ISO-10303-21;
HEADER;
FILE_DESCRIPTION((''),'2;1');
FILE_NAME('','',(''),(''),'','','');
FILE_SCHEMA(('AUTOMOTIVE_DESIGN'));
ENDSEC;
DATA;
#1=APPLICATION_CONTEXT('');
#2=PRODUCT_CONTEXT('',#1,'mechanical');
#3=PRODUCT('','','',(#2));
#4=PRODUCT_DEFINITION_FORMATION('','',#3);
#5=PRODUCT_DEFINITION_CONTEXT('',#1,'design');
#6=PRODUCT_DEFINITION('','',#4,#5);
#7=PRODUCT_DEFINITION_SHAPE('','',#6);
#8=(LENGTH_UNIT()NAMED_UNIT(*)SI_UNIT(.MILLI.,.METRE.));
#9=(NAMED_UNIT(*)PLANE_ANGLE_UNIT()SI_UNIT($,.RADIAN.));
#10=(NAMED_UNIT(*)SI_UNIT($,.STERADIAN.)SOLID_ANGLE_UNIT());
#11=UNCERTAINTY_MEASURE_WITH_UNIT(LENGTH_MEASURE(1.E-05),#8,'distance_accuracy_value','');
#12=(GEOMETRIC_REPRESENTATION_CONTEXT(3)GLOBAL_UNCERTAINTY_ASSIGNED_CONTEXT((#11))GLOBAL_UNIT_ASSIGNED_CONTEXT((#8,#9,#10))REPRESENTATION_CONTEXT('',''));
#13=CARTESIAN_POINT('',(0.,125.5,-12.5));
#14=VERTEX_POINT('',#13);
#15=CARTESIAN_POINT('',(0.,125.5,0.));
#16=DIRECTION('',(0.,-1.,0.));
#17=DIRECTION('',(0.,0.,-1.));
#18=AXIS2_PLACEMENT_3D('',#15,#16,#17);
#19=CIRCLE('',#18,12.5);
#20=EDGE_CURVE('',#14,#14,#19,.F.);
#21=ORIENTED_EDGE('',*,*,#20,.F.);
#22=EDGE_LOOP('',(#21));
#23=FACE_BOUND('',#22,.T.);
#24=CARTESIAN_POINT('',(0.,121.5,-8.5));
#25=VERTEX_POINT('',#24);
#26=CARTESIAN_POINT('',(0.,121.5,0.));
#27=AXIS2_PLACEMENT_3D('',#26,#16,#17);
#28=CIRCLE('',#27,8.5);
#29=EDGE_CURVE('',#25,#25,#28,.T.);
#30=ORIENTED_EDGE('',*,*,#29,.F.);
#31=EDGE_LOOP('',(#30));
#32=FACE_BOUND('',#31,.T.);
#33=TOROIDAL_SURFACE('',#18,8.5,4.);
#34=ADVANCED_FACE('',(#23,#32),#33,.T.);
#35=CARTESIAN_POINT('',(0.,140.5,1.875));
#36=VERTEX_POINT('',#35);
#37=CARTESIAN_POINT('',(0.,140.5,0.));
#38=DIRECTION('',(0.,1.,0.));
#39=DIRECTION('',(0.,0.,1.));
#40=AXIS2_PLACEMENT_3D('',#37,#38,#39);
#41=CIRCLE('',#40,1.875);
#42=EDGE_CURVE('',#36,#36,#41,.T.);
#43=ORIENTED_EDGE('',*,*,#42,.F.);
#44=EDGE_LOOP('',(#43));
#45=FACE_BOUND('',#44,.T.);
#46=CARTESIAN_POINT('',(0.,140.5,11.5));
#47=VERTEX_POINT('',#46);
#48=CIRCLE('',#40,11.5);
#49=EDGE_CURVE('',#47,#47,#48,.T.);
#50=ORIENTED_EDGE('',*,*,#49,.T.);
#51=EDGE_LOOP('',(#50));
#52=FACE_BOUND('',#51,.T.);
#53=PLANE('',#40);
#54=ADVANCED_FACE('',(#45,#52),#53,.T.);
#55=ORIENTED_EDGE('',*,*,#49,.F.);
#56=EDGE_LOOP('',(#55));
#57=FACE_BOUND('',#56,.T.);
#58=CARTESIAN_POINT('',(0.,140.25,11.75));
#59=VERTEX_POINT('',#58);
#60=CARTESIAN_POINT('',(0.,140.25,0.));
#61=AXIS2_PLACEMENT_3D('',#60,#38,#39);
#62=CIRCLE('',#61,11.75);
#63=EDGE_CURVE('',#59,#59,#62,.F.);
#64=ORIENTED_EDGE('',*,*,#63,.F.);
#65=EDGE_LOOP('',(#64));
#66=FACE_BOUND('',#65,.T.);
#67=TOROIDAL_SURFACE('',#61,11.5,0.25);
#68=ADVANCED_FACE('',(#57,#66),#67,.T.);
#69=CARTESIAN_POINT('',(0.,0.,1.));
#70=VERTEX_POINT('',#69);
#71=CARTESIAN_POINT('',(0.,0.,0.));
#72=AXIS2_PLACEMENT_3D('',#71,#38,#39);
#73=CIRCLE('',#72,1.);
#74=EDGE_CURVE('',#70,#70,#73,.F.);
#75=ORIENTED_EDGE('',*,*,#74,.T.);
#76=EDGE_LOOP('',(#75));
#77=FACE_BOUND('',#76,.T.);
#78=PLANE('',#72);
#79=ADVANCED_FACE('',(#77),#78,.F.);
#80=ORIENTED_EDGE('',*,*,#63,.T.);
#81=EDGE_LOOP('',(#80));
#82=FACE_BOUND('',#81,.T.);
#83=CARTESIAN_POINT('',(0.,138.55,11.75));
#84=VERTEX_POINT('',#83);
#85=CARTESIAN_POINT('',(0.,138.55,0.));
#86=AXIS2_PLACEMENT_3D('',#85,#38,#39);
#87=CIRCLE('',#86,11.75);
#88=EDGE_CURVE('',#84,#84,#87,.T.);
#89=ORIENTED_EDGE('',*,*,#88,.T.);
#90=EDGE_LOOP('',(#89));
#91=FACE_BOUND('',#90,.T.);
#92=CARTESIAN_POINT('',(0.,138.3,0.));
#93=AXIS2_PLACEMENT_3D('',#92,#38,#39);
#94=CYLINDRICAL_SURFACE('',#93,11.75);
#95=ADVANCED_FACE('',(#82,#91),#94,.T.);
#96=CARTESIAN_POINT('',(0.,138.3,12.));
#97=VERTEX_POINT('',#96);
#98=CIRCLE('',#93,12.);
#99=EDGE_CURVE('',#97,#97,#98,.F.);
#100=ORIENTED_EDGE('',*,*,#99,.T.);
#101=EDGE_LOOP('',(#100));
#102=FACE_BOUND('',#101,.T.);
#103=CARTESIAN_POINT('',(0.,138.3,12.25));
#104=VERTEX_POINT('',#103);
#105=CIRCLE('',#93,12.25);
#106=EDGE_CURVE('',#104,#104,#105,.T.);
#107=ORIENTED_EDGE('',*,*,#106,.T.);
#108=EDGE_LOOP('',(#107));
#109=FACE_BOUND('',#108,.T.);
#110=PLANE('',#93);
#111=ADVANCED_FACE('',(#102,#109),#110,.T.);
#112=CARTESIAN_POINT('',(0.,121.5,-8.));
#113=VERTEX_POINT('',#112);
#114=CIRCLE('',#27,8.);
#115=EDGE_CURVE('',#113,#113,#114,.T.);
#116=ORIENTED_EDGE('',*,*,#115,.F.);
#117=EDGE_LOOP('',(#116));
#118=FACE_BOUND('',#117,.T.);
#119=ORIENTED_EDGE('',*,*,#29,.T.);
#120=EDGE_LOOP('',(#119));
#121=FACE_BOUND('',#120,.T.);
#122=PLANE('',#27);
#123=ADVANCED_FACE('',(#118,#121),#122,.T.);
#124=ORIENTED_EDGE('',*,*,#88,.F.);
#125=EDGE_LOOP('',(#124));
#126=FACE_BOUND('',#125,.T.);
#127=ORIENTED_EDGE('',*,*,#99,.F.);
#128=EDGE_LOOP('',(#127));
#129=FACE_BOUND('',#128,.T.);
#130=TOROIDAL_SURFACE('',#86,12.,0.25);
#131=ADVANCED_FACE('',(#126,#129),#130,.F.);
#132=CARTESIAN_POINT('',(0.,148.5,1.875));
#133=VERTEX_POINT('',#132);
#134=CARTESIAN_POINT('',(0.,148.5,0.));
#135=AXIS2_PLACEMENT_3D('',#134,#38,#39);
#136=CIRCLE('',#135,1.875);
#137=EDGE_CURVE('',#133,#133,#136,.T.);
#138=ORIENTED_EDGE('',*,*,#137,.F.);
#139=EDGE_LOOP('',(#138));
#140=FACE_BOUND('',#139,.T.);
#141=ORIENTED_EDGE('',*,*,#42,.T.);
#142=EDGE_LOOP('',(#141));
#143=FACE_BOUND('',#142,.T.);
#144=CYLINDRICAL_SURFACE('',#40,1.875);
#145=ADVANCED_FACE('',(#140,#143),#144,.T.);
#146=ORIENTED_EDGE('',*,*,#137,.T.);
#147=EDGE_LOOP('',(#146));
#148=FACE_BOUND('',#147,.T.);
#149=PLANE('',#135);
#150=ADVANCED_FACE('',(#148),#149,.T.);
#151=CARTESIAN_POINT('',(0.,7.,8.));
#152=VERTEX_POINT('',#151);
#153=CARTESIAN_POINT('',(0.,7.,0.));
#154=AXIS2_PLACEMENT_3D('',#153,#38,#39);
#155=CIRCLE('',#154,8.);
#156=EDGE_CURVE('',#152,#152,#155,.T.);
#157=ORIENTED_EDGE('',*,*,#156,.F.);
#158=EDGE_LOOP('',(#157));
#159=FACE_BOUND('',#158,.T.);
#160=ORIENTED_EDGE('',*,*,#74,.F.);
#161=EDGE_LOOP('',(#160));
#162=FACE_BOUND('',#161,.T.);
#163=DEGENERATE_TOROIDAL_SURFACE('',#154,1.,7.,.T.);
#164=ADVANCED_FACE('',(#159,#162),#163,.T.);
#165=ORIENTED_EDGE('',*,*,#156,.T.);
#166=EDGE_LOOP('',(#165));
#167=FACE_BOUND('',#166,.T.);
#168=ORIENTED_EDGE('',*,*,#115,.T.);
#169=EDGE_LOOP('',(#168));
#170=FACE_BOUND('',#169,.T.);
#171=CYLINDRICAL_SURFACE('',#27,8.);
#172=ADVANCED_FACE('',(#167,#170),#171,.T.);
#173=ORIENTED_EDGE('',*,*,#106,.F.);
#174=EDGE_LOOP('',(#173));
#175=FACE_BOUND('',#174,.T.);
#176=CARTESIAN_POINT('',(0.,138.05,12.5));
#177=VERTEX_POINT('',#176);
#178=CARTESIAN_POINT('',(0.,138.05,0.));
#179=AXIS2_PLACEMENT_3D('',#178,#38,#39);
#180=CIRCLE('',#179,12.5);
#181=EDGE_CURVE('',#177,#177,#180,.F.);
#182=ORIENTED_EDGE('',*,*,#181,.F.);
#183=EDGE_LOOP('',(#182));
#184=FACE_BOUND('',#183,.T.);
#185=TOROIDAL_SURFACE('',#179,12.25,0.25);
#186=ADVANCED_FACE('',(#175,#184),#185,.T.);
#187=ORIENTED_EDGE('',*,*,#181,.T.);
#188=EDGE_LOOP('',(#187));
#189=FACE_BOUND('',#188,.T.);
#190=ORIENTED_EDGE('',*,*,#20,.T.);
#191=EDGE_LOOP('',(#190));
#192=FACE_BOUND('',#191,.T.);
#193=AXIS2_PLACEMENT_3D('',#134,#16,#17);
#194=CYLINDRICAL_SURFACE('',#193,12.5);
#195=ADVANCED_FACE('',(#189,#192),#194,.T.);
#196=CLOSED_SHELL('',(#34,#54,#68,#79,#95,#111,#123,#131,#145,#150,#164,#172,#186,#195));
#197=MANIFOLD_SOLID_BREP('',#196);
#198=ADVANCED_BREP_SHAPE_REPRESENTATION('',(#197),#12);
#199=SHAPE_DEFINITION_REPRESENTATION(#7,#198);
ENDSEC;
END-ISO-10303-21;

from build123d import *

# Parameters (mm, degrees)
SKETCH1_R           = 12.5
BOSS_EXTRUDE1_DEPTH = 148.5
SKETCH2_OUTSIDE_W   = 57.53
SKETCH2_OUTSIDE_H   = 57.53
SKETCH2_OUTSIDE_R   = 8
CUT_EXTRUDE1_DEPTH  = 121.5
SKETCH3_OUTSIDE_W   = 57.53
SKETCH3_OUTSIDE_H   = 57.53
SKETCH3_OUTSIDE_R   = 1.875
CUT_EXTRUDE2_DEPTH  = 8
FILLET1_R           = 4
FILLET2_R           = 7
SKETCH6_OUTSIDE_W   = 57.53
SKETCH6_OUTSIDE_H   = 57.53
SKETCH6_OUTSIDE_R   = 11.75
CUT_EXTRUDE3_DEPTH  = 2.2
FILLET3_R           = 0.25


with BuildPart() as part:
    # Sketch1 → Boss-Extrude1 (new body)
    with BuildSketch(Plane(origin=(0, 0, 0), x_dir=(1, 0, 0), z_dir=(0, 1, 0))):
        with Locations(Location((0, 0, 0), (0, 0, 270))):
            Circle(SKETCH1_R)
    extrude(amount=BOSS_EXTRUDE1_DEPTH)

    # Sketch2 outside → Cut-Extrude1 (cut)
    with BuildSketch(Plane.XZ):
        Rectangle(SKETCH2_OUTSIDE_W, SKETCH2_OUTSIDE_H)
        with Locations(Location((0, 0, 0), (0, 0, 270))):
            Circle(SKETCH2_OUTSIDE_R, mode=Mode.SUBTRACT)
    extrude(amount=-CUT_EXTRUDE1_DEPTH, mode=Mode.SUBTRACT)

    # Sketch3 outside → Cut-Extrude2 (cut)
    with BuildSketch(Plane(origin=(0, 148.5, 0), x_dir=(1, 0, 0), z_dir=(0, 1, 0))):
        Rectangle(SKETCH3_OUTSIDE_W, SKETCH3_OUTSIDE_H)
        with Locations(Location((0, 0, 0), (0, 0, 270))):
            Circle(SKETCH3_OUTSIDE_R, mode=Mode.SUBTRACT)
    extrude(amount=-CUT_EXTRUDE2_DEPTH, mode=Mode.SUBTRACT)

    # Fillet1
    fillet1_edges = [part.edges().sort_by_distance(p)[0] for p in [
        (0, 121.5, -12.5),
    ]]
    fillet(fillet1_edges, radius=FILLET1_R)

    # Fillet2
    fillet2_edges = [part.edges().sort_by_distance(p)[0] for p in [
        (0, 0, 8),
    ]]
    fillet(fillet2_edges, radius=FILLET2_R)

    # Sketch6 outside → Cut-Extrude3 (cut)
    with BuildSketch(Plane(origin=(0, 140.5, 0), x_dir=(1, 0, 0), z_dir=(0, 1, 0))):
        Rectangle(SKETCH6_OUTSIDE_W, SKETCH6_OUTSIDE_H)
        with Locations(Location((0, 0, 0), (0, 0, 270))):
            Circle(SKETCH6_OUTSIDE_R, mode=Mode.SUBTRACT)
    extrude(amount=-CUT_EXTRUDE3_DEPTH, mode=Mode.SUBTRACT)

    # Fillet3
    fillet3_edges = [part.edges().sort_by_distance(p)[0] for p in [
        (0, 138.3, -11.75),
        (0, 138.3, -12.5),
        (0, 140.5, -11.75),
    ]]
    fillet(fillet3_edges, radius=FILLET3_R)


solid = part.part
